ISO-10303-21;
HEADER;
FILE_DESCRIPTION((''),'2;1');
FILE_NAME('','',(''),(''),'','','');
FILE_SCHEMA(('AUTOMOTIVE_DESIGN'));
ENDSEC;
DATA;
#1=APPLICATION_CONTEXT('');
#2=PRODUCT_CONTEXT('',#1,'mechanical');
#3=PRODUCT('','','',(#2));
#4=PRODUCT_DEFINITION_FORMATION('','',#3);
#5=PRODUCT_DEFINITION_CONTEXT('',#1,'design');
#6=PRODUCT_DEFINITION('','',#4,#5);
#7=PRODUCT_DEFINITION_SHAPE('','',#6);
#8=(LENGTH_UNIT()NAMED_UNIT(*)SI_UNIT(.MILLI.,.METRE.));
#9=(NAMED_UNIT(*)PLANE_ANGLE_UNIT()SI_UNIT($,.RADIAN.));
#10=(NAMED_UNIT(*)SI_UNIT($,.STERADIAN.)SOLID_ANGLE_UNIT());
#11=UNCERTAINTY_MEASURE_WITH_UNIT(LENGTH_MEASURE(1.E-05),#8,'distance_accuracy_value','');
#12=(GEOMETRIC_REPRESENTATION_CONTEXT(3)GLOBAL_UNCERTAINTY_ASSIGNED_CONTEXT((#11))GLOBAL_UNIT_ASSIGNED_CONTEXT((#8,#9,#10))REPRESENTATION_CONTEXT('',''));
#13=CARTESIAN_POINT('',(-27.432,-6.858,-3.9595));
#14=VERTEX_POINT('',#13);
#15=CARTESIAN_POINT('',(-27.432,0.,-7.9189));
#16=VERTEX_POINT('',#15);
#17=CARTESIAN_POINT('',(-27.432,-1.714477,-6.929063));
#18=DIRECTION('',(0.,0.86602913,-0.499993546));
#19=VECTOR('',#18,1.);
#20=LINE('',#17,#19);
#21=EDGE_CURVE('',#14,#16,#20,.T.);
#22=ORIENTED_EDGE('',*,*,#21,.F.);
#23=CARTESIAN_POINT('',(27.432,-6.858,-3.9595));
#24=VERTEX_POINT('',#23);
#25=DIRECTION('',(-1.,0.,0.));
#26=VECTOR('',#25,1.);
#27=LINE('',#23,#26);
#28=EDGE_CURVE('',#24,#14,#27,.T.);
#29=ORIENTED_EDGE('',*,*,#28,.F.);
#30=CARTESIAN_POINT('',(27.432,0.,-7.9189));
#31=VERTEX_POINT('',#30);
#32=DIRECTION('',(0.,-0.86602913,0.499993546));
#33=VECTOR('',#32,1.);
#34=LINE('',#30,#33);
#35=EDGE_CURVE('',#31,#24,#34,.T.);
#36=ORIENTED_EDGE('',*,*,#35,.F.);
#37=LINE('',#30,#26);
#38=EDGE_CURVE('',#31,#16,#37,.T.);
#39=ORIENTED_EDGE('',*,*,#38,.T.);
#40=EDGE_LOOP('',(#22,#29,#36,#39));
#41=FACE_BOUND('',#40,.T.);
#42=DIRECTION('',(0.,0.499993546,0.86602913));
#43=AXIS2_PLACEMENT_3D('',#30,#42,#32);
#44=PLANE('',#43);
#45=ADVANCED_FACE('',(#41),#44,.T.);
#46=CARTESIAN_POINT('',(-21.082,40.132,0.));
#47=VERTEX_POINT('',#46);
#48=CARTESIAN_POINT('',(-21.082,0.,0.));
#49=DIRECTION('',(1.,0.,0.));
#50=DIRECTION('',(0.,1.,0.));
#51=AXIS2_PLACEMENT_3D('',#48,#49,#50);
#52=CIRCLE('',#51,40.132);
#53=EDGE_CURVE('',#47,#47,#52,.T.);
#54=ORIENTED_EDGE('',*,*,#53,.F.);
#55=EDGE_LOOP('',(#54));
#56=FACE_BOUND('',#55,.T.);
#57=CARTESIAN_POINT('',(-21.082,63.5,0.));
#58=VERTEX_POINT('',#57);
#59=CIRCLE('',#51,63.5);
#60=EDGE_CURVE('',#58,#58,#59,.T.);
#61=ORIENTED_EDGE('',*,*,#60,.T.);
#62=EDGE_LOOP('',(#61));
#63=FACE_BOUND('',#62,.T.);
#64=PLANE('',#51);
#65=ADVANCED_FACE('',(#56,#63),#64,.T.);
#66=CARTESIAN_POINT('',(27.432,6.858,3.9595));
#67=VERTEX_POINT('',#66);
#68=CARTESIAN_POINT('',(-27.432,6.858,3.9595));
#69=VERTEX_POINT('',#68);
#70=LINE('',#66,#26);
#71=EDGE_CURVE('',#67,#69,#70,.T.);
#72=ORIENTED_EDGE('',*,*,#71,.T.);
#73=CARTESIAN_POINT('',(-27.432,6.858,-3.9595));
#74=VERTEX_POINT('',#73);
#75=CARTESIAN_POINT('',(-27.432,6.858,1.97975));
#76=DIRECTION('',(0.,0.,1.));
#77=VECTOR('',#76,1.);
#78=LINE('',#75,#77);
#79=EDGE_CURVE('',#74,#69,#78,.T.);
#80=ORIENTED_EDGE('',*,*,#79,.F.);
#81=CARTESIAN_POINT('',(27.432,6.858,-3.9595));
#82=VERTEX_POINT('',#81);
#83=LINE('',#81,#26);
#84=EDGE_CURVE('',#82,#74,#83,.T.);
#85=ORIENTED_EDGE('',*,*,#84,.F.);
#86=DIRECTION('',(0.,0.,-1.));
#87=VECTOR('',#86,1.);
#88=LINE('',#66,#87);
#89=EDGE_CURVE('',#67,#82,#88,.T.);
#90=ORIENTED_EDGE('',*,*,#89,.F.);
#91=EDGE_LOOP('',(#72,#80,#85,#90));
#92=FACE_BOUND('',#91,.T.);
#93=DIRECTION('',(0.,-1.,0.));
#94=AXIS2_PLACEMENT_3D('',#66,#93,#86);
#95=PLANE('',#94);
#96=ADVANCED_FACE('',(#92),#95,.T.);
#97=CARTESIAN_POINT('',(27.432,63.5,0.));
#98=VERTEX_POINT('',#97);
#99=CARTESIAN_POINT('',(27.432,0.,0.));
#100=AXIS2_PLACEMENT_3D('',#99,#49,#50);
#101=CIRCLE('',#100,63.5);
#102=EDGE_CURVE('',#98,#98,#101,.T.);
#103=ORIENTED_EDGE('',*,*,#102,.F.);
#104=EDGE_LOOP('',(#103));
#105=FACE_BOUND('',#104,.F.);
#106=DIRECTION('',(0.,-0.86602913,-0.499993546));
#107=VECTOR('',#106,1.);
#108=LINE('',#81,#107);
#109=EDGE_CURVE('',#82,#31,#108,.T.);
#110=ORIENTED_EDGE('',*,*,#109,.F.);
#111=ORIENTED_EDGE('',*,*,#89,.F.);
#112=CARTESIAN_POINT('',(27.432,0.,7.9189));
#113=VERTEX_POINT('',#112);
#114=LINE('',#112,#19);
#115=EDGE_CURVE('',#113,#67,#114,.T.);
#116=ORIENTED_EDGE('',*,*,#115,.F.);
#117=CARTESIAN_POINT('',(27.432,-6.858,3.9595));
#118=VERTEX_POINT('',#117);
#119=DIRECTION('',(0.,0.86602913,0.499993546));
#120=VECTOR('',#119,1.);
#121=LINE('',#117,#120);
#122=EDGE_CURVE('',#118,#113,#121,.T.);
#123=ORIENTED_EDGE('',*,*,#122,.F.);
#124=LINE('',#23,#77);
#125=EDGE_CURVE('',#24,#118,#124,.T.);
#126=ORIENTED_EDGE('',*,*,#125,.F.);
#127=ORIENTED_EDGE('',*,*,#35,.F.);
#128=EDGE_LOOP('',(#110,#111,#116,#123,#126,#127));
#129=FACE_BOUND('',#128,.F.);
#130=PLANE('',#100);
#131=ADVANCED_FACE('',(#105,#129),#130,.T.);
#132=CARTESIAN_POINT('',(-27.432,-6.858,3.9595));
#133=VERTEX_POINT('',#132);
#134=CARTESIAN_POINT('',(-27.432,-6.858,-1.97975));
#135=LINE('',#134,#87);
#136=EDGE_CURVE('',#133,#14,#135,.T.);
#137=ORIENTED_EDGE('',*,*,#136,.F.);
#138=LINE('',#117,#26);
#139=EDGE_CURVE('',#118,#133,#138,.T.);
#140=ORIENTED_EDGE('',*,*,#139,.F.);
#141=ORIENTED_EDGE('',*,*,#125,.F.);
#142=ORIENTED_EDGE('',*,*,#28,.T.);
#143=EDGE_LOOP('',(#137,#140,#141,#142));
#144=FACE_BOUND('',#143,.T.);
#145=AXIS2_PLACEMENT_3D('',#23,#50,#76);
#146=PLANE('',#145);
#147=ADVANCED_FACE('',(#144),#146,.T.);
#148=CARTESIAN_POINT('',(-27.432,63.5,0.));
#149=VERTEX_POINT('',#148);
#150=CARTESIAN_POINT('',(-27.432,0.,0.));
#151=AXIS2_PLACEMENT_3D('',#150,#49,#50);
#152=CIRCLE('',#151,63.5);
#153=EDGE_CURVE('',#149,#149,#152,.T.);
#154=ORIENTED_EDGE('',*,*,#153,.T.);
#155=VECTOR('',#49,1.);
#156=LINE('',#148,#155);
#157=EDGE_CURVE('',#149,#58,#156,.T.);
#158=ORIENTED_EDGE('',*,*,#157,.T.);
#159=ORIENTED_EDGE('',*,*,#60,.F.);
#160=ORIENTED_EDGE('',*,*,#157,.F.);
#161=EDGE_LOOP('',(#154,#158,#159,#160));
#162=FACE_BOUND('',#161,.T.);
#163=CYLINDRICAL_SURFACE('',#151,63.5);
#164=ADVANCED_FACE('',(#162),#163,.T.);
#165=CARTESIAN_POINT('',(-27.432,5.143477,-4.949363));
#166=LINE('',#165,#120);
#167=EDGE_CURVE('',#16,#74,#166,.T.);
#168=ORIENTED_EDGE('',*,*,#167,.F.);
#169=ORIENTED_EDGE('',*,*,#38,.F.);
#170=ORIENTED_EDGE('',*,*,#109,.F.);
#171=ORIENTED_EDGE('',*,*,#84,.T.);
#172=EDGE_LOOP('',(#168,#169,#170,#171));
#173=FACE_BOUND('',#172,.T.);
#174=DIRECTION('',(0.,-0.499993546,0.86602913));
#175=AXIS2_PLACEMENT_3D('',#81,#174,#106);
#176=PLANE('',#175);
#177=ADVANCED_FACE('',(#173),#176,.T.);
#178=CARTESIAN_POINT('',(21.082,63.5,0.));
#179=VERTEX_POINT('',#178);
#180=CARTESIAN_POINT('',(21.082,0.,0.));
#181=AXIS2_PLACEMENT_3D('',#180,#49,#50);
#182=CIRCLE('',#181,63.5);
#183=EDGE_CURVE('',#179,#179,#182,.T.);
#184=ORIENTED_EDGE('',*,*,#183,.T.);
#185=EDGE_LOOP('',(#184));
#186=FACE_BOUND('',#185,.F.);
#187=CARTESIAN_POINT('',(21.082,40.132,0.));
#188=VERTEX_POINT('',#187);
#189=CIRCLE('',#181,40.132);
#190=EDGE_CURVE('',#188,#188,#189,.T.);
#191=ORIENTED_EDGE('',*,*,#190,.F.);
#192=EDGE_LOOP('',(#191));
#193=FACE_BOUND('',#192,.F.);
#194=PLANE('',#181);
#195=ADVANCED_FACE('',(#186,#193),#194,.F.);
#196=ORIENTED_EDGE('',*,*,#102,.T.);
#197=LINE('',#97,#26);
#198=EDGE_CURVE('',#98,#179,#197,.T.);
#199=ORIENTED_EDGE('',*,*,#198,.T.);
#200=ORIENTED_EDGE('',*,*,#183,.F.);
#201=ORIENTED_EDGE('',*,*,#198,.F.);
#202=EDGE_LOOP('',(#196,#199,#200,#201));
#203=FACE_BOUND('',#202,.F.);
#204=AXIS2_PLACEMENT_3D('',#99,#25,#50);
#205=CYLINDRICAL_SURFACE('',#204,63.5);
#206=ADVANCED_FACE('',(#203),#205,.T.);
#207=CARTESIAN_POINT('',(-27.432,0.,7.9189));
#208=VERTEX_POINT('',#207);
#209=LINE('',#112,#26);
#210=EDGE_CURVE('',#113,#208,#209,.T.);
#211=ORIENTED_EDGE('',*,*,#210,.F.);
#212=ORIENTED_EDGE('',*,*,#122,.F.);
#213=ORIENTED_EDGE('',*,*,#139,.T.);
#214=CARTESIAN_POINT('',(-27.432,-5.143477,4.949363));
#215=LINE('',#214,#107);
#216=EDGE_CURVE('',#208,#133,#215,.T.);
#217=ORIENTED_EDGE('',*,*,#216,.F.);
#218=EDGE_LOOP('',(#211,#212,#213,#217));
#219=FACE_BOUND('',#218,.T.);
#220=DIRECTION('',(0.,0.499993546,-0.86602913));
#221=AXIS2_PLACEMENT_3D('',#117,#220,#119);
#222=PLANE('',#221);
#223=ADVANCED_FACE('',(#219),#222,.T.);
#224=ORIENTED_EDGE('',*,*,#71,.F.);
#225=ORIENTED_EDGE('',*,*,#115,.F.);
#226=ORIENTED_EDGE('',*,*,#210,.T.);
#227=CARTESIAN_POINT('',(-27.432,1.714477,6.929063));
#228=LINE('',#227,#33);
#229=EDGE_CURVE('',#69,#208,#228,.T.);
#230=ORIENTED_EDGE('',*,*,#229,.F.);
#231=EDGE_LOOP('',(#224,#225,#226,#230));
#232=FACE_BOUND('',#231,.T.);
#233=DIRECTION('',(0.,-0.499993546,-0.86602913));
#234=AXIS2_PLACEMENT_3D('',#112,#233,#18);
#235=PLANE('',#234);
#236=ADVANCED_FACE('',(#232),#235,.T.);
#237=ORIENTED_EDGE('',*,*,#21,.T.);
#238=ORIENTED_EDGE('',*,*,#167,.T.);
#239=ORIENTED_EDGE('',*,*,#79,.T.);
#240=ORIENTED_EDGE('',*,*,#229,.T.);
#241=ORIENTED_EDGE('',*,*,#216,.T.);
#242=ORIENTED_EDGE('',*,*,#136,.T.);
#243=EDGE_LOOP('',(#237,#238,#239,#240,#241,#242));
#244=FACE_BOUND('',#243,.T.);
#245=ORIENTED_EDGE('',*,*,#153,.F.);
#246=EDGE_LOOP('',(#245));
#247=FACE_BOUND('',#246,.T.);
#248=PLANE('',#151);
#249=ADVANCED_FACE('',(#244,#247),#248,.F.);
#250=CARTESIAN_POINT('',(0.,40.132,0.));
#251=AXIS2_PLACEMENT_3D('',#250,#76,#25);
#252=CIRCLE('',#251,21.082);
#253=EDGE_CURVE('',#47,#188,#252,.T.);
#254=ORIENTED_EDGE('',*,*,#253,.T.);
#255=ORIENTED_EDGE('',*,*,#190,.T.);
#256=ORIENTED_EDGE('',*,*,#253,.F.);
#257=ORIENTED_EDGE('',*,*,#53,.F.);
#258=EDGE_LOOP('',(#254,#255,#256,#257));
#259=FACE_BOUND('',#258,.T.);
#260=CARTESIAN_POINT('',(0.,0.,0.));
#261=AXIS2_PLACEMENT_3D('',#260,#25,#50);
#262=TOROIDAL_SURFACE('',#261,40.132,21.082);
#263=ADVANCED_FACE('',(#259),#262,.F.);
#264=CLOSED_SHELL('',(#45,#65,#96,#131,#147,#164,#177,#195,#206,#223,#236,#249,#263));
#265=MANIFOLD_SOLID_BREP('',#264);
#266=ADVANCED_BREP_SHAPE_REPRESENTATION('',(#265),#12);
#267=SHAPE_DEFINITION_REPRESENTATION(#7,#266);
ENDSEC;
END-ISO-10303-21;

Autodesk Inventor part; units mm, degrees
ref_plane "YZ Plane" through (0, 0, 0) normal (1, 0, 0) x (0, 1, 0)
ref_plane "XZ Plane" through (0, 0, 0) normal (0, 1, 0) x (-1, 0, 0)
sketch "Sketch1" plane through (0, 0, 0) normal (0, 0, 1) x (1, 0, 0)
  arc A0 (-21.082, 40.132) -> (21.082, 40.132) centre (0, 40.132) ccw
  line L0 (-21.082, 40.132) -> (-21.082, 0)
  line L1 (21.082, 40.132) -> (21.082, 0)
  line L2 (-21.082, 0) -> (21.082, 0)
  line L3 (-21.082, 0) -> (-27.432, 0)
  line L4 (-27.432, 0) -> (-27.432, 63.5)
  line L5 (-27.432, 63.5) -> (-21.082, 63.5)
  line L6 (-21.082, 63.5) -> (-21.082, 0)
  line L7 (21.082, 0) -> (27.432, 0)
  line L8 (27.432, 0) -> (27.432, 63.5)
  line L9 (27.432, 63.5) -> (21.082, 63.5)
  line L10 (21.082, 63.5) -> (21.082, 0)
  point P0 (0, 0)
  dimension "diameterOfPipe" = 42.164
  dimension "d6" = 6.35
  dimension "d7" = 63.5
  dimension "d8" = 6.35
  dimension "d9" = 63.5
  dimension "d13" = 19.05
revolve "Revolution1" add sketch "Sketch1" angle 360 about axis through (-21.082, 0, 0) along (1, 0, 0)
sketch "Sketch3" plane through (27.432, 0, 0) normal (1, 0, 0) x (0, 0, -1)
  line L0 (7.9189, 0) -> (3.9595, -6.858)
  line L1 (3.9595, -6.858) -> (-3.9595, -6.858)
  line L2 (-3.9595, -6.858) -> (-7.9189, 0)
  line L3 (-7.9189, 0) -> (-3.9595, 6.858)
  line L4 (-3.9595, 6.858) -> (3.9595, 6.858)
  line L5 (3.9595, 6.858) -> (7.9189, 0)
  point P0 (0, 0)
  point P1 (0, 0)
  dimension "hexWidth" = 13.716
extrude "Extrusion2" cut sketch "Sketch3" against normal through all
equation "\"d6\" = widthOfOutside"
equation "\"d8\" = widthOfOutside"
equation "\"widthOfOutside\" = 6.35"
properties part number "WheelForHangingAndMoving" material "PBT Plastic"
